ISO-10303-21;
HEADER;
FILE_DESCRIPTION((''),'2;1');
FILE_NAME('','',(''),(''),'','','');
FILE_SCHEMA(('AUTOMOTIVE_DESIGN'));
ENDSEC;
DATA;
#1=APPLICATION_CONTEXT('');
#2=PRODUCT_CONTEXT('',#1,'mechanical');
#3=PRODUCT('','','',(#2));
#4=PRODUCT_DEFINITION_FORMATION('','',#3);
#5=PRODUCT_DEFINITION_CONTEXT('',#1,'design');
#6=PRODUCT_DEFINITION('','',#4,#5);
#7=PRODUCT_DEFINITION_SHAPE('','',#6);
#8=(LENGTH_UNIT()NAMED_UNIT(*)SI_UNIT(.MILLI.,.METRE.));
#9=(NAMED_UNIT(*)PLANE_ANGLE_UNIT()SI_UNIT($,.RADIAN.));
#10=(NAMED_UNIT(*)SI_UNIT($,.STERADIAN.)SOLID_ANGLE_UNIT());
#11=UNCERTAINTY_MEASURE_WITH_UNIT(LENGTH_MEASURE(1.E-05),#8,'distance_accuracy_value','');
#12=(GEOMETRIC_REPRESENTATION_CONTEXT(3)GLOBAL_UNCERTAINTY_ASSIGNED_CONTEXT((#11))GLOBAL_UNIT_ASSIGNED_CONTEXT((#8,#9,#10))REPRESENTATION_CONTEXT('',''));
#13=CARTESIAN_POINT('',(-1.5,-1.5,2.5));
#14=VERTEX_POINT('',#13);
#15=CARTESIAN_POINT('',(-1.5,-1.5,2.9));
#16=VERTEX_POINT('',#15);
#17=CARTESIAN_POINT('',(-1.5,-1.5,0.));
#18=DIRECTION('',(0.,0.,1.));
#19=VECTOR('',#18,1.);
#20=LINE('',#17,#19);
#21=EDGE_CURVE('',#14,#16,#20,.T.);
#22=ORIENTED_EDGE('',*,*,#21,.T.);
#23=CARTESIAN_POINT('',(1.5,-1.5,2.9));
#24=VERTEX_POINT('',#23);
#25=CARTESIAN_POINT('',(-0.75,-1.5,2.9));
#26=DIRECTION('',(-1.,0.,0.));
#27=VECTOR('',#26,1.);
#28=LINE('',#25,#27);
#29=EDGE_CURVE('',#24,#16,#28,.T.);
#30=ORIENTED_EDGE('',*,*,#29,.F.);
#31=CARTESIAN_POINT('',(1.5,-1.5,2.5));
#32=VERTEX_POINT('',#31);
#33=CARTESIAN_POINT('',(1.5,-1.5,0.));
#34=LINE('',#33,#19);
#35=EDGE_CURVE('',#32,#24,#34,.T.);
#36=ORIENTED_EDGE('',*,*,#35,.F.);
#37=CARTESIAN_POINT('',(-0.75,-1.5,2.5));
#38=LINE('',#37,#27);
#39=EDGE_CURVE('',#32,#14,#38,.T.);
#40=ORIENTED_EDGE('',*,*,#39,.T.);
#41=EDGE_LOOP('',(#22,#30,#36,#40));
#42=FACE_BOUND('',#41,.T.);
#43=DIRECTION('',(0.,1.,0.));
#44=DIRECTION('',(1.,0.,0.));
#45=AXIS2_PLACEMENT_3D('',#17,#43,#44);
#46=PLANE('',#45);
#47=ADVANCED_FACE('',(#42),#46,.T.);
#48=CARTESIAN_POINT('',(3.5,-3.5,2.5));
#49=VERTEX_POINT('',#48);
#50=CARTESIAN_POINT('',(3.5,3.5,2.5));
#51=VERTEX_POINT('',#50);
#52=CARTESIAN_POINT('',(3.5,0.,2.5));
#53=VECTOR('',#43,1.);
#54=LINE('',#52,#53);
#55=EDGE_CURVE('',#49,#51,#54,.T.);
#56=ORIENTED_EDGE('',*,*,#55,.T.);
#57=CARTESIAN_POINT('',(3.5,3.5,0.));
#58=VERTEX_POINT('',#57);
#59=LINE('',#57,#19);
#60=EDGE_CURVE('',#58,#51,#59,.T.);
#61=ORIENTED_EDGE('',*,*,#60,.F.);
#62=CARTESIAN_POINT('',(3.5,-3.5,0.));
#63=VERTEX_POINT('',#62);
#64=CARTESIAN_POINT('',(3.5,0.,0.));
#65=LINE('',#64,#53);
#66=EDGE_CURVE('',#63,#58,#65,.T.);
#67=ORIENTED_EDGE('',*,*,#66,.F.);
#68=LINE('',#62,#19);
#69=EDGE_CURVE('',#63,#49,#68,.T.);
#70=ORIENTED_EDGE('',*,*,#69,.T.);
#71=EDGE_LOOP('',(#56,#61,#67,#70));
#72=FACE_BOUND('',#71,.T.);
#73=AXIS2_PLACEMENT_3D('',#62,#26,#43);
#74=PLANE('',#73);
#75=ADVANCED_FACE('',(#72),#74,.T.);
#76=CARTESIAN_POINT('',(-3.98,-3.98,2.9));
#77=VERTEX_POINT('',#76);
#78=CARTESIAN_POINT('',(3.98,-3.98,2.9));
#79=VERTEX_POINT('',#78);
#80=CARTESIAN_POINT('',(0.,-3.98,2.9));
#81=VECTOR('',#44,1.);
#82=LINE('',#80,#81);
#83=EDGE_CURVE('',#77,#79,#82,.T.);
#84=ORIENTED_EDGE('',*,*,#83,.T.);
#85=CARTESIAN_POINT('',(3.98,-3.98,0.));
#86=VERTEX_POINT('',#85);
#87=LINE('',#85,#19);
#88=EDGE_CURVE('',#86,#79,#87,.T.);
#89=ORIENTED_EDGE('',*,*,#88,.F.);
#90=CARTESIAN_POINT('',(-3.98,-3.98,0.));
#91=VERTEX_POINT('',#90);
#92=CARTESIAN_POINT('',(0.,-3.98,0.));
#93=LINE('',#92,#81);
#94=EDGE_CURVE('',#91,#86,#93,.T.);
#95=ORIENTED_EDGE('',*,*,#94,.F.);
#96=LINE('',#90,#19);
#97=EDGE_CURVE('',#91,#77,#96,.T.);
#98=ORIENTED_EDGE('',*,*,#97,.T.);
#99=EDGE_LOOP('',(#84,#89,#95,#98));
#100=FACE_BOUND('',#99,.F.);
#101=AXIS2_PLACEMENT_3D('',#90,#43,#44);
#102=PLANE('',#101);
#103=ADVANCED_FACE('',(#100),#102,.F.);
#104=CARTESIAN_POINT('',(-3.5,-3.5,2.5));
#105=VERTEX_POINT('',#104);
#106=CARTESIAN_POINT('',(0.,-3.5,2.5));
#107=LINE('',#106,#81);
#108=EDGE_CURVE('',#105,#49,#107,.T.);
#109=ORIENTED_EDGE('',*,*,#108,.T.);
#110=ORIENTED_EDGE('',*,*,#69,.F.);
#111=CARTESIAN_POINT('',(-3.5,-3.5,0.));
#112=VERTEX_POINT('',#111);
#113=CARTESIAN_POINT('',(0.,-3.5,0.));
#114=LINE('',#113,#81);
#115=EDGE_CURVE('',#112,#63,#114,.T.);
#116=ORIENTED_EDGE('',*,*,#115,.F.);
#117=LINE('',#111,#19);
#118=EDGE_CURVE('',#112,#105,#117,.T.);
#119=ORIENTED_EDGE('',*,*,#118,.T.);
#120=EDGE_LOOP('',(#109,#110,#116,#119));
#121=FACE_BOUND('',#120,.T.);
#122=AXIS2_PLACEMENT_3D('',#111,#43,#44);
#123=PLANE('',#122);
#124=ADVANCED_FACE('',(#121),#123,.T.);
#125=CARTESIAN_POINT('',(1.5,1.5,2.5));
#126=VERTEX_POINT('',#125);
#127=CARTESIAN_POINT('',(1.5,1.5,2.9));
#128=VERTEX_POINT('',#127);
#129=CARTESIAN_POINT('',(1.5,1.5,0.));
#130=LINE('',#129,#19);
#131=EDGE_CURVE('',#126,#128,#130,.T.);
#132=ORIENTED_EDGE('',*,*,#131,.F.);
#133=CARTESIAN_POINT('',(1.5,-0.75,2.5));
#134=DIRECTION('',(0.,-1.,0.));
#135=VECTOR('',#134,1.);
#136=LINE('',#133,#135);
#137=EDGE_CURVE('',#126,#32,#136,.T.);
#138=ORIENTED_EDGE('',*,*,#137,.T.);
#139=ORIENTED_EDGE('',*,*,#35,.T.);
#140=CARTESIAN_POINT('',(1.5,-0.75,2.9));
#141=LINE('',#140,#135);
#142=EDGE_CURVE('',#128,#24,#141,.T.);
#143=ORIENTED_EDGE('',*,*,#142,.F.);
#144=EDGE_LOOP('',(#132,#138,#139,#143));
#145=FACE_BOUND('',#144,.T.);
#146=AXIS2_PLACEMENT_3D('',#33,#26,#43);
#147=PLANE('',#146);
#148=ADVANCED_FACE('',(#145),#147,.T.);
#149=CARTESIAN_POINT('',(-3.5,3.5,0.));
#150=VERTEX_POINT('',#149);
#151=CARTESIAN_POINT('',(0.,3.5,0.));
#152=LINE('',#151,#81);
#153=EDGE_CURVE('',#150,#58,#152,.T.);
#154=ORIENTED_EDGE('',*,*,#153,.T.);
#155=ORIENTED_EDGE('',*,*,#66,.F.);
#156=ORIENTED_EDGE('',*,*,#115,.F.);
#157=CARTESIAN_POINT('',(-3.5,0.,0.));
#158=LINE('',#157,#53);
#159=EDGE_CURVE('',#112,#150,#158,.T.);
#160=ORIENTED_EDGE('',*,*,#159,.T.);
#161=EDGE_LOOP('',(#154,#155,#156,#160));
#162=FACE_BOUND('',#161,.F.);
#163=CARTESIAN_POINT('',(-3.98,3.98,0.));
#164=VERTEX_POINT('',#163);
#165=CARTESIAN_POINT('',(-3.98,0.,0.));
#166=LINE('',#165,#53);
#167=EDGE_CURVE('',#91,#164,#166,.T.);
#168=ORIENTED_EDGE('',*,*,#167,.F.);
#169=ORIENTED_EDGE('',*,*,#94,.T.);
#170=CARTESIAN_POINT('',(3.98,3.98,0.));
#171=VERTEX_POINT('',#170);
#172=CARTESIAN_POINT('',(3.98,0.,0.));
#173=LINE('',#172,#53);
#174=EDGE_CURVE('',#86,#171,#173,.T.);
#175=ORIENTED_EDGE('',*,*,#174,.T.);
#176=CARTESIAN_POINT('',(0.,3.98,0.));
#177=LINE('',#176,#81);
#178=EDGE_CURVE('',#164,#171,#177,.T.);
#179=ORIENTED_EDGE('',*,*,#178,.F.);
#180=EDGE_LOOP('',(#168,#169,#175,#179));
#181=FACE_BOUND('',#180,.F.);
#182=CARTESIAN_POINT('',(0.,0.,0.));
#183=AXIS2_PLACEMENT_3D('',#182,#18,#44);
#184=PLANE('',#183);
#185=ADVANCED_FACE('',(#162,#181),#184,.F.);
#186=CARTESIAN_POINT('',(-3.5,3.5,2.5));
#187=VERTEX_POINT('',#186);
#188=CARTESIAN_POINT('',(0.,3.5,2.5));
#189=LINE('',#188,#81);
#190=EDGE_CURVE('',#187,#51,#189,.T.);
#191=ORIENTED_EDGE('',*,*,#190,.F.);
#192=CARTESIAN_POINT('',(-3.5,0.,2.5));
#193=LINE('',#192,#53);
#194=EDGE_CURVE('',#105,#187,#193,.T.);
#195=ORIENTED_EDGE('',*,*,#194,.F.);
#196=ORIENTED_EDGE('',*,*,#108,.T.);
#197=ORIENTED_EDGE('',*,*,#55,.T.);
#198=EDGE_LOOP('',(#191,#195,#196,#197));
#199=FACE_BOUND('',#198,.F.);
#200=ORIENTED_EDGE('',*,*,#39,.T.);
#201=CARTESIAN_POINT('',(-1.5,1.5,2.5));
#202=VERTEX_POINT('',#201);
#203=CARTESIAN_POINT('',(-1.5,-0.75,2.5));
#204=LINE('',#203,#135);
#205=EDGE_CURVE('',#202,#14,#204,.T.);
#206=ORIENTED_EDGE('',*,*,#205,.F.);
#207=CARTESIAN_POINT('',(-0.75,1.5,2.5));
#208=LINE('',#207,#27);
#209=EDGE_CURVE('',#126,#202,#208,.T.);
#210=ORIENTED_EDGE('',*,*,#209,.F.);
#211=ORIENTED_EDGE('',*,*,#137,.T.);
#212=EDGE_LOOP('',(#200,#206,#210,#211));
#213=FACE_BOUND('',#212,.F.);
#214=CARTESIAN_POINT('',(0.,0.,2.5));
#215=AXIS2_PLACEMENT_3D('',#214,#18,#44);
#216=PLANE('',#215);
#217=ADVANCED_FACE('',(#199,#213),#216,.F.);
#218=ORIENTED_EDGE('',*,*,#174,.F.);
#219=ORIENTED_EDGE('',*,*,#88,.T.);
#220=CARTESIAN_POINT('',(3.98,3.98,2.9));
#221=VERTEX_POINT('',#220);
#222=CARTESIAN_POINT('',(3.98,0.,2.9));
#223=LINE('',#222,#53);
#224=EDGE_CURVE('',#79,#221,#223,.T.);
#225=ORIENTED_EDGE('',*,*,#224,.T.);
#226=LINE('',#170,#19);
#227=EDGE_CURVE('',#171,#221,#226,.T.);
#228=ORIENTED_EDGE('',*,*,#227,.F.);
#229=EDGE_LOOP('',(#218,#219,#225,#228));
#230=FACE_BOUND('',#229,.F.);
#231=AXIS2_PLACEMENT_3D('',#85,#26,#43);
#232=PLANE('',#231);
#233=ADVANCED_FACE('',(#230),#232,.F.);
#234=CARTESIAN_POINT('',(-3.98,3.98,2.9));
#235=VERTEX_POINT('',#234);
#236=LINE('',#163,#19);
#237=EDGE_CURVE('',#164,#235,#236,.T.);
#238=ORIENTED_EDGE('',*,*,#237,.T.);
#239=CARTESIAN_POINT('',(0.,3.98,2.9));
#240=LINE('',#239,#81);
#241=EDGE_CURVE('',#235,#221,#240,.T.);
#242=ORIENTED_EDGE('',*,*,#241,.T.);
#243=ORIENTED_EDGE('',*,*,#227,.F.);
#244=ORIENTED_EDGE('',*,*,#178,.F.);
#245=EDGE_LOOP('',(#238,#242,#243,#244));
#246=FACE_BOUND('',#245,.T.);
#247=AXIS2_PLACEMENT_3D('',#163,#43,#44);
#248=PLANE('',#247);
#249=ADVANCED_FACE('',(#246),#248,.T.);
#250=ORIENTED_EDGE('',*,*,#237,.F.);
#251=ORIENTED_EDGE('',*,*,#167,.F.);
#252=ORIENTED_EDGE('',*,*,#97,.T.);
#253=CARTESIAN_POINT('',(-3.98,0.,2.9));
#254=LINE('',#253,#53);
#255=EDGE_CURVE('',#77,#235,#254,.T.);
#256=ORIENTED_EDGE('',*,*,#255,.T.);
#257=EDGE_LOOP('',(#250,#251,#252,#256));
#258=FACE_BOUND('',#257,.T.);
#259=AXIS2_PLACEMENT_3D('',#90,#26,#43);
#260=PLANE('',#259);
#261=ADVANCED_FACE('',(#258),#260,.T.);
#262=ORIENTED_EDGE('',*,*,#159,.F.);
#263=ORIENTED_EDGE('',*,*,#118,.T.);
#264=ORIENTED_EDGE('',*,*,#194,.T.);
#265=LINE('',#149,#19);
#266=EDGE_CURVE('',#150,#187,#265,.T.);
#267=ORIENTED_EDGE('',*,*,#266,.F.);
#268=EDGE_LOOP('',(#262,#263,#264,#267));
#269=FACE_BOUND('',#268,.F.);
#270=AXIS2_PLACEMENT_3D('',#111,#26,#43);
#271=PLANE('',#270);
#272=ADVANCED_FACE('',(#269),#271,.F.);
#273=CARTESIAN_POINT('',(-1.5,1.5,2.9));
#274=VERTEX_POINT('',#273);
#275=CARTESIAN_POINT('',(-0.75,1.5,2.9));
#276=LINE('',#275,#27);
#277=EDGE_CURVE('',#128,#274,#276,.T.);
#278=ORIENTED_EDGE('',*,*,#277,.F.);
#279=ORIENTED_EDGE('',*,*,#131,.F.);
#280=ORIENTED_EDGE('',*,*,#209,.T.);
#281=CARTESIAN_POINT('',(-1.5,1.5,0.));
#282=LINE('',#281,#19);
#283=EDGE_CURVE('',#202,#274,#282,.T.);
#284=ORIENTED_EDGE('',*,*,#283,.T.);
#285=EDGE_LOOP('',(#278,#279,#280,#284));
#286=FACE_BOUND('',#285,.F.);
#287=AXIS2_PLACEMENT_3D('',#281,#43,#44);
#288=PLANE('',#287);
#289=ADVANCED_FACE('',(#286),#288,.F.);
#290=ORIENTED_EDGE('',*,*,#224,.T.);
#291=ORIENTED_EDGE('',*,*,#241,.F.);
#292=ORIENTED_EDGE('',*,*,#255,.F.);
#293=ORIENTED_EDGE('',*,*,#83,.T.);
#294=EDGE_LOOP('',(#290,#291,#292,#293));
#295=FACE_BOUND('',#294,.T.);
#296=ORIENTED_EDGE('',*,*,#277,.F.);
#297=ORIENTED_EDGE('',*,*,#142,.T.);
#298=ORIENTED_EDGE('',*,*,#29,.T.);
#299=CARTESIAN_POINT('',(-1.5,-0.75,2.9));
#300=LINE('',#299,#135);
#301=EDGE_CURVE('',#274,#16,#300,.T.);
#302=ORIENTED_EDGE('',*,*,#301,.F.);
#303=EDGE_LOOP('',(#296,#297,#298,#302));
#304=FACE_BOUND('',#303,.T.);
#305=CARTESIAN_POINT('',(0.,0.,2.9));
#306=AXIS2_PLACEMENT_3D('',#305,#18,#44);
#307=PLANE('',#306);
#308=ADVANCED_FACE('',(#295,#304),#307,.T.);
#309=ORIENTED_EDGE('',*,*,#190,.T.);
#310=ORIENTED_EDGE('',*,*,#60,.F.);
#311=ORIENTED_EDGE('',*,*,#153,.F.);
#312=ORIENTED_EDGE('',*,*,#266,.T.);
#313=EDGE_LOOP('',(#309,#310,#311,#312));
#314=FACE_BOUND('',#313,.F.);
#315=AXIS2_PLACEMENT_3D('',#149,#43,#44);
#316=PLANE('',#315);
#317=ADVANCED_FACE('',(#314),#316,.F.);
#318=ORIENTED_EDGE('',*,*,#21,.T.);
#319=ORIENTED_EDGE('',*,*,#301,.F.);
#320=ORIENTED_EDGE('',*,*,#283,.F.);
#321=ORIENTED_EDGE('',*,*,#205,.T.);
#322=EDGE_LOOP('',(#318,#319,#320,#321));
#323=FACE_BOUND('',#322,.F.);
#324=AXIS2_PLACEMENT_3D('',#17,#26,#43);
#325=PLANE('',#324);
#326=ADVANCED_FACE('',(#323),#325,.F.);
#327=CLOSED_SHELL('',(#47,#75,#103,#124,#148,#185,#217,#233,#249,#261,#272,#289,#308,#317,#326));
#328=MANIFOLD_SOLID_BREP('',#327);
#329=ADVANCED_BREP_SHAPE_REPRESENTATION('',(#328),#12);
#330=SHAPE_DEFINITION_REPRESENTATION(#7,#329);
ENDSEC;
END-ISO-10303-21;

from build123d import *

# Parameters (mm, degrees)
BOX004_W     = 3
BOX004_H     = 3
BOX004_DEPTH = 4
BOX003_W     = 7
BOX003_H     = 7
BOX003_DEPTH = 2.5
BOX002_W     = 7.96
BOX002_H     = 7.96
BOX002_DEPTH = 2.9


with BuildPart() as cube004:
    # Box004 → Box004 (new body)
    with BuildSketch(Plane(origin=(-1.5, -1.5, 0), x_dir=(1, 0, 0), z_dir=(0, 0, 1))):
        with Locations((1.5, 1.5)):
            Rectangle(BOX004_W, BOX004_H)
    extrude(amount=BOX004_DEPTH)


with BuildPart() as fusion:
    # Box003 → Box003 (new body)
    with BuildSketch(Plane(origin=(-3.5, -3.5, 0), x_dir=(1, 0, 0), z_dir=(0, 0, 1))):
        with Locations((3.5, 3.5)):
            Rectangle(BOX003_W, BOX003_H)
    extrude(amount=BOX003_DEPTH)

    # Fusion: union Cube004
    add(cube004.part)


with BuildPart() as cut001:
    # Box002 → Box002 (new body)
    with BuildSketch(Plane(origin=(-3.98, -3.98, 0), x_dir=(1, 0, 0), z_dir=(0, 0, 1))):
        with Locations((3.98, 3.98)):
            Rectangle(BOX002_W, BOX002_H)
    extrude(amount=BOX002_DEPTH)

    # Cut001: cut Fusion
    add(fusion.part, mode=Mode.SUBTRACT)


solid = cut001.part
